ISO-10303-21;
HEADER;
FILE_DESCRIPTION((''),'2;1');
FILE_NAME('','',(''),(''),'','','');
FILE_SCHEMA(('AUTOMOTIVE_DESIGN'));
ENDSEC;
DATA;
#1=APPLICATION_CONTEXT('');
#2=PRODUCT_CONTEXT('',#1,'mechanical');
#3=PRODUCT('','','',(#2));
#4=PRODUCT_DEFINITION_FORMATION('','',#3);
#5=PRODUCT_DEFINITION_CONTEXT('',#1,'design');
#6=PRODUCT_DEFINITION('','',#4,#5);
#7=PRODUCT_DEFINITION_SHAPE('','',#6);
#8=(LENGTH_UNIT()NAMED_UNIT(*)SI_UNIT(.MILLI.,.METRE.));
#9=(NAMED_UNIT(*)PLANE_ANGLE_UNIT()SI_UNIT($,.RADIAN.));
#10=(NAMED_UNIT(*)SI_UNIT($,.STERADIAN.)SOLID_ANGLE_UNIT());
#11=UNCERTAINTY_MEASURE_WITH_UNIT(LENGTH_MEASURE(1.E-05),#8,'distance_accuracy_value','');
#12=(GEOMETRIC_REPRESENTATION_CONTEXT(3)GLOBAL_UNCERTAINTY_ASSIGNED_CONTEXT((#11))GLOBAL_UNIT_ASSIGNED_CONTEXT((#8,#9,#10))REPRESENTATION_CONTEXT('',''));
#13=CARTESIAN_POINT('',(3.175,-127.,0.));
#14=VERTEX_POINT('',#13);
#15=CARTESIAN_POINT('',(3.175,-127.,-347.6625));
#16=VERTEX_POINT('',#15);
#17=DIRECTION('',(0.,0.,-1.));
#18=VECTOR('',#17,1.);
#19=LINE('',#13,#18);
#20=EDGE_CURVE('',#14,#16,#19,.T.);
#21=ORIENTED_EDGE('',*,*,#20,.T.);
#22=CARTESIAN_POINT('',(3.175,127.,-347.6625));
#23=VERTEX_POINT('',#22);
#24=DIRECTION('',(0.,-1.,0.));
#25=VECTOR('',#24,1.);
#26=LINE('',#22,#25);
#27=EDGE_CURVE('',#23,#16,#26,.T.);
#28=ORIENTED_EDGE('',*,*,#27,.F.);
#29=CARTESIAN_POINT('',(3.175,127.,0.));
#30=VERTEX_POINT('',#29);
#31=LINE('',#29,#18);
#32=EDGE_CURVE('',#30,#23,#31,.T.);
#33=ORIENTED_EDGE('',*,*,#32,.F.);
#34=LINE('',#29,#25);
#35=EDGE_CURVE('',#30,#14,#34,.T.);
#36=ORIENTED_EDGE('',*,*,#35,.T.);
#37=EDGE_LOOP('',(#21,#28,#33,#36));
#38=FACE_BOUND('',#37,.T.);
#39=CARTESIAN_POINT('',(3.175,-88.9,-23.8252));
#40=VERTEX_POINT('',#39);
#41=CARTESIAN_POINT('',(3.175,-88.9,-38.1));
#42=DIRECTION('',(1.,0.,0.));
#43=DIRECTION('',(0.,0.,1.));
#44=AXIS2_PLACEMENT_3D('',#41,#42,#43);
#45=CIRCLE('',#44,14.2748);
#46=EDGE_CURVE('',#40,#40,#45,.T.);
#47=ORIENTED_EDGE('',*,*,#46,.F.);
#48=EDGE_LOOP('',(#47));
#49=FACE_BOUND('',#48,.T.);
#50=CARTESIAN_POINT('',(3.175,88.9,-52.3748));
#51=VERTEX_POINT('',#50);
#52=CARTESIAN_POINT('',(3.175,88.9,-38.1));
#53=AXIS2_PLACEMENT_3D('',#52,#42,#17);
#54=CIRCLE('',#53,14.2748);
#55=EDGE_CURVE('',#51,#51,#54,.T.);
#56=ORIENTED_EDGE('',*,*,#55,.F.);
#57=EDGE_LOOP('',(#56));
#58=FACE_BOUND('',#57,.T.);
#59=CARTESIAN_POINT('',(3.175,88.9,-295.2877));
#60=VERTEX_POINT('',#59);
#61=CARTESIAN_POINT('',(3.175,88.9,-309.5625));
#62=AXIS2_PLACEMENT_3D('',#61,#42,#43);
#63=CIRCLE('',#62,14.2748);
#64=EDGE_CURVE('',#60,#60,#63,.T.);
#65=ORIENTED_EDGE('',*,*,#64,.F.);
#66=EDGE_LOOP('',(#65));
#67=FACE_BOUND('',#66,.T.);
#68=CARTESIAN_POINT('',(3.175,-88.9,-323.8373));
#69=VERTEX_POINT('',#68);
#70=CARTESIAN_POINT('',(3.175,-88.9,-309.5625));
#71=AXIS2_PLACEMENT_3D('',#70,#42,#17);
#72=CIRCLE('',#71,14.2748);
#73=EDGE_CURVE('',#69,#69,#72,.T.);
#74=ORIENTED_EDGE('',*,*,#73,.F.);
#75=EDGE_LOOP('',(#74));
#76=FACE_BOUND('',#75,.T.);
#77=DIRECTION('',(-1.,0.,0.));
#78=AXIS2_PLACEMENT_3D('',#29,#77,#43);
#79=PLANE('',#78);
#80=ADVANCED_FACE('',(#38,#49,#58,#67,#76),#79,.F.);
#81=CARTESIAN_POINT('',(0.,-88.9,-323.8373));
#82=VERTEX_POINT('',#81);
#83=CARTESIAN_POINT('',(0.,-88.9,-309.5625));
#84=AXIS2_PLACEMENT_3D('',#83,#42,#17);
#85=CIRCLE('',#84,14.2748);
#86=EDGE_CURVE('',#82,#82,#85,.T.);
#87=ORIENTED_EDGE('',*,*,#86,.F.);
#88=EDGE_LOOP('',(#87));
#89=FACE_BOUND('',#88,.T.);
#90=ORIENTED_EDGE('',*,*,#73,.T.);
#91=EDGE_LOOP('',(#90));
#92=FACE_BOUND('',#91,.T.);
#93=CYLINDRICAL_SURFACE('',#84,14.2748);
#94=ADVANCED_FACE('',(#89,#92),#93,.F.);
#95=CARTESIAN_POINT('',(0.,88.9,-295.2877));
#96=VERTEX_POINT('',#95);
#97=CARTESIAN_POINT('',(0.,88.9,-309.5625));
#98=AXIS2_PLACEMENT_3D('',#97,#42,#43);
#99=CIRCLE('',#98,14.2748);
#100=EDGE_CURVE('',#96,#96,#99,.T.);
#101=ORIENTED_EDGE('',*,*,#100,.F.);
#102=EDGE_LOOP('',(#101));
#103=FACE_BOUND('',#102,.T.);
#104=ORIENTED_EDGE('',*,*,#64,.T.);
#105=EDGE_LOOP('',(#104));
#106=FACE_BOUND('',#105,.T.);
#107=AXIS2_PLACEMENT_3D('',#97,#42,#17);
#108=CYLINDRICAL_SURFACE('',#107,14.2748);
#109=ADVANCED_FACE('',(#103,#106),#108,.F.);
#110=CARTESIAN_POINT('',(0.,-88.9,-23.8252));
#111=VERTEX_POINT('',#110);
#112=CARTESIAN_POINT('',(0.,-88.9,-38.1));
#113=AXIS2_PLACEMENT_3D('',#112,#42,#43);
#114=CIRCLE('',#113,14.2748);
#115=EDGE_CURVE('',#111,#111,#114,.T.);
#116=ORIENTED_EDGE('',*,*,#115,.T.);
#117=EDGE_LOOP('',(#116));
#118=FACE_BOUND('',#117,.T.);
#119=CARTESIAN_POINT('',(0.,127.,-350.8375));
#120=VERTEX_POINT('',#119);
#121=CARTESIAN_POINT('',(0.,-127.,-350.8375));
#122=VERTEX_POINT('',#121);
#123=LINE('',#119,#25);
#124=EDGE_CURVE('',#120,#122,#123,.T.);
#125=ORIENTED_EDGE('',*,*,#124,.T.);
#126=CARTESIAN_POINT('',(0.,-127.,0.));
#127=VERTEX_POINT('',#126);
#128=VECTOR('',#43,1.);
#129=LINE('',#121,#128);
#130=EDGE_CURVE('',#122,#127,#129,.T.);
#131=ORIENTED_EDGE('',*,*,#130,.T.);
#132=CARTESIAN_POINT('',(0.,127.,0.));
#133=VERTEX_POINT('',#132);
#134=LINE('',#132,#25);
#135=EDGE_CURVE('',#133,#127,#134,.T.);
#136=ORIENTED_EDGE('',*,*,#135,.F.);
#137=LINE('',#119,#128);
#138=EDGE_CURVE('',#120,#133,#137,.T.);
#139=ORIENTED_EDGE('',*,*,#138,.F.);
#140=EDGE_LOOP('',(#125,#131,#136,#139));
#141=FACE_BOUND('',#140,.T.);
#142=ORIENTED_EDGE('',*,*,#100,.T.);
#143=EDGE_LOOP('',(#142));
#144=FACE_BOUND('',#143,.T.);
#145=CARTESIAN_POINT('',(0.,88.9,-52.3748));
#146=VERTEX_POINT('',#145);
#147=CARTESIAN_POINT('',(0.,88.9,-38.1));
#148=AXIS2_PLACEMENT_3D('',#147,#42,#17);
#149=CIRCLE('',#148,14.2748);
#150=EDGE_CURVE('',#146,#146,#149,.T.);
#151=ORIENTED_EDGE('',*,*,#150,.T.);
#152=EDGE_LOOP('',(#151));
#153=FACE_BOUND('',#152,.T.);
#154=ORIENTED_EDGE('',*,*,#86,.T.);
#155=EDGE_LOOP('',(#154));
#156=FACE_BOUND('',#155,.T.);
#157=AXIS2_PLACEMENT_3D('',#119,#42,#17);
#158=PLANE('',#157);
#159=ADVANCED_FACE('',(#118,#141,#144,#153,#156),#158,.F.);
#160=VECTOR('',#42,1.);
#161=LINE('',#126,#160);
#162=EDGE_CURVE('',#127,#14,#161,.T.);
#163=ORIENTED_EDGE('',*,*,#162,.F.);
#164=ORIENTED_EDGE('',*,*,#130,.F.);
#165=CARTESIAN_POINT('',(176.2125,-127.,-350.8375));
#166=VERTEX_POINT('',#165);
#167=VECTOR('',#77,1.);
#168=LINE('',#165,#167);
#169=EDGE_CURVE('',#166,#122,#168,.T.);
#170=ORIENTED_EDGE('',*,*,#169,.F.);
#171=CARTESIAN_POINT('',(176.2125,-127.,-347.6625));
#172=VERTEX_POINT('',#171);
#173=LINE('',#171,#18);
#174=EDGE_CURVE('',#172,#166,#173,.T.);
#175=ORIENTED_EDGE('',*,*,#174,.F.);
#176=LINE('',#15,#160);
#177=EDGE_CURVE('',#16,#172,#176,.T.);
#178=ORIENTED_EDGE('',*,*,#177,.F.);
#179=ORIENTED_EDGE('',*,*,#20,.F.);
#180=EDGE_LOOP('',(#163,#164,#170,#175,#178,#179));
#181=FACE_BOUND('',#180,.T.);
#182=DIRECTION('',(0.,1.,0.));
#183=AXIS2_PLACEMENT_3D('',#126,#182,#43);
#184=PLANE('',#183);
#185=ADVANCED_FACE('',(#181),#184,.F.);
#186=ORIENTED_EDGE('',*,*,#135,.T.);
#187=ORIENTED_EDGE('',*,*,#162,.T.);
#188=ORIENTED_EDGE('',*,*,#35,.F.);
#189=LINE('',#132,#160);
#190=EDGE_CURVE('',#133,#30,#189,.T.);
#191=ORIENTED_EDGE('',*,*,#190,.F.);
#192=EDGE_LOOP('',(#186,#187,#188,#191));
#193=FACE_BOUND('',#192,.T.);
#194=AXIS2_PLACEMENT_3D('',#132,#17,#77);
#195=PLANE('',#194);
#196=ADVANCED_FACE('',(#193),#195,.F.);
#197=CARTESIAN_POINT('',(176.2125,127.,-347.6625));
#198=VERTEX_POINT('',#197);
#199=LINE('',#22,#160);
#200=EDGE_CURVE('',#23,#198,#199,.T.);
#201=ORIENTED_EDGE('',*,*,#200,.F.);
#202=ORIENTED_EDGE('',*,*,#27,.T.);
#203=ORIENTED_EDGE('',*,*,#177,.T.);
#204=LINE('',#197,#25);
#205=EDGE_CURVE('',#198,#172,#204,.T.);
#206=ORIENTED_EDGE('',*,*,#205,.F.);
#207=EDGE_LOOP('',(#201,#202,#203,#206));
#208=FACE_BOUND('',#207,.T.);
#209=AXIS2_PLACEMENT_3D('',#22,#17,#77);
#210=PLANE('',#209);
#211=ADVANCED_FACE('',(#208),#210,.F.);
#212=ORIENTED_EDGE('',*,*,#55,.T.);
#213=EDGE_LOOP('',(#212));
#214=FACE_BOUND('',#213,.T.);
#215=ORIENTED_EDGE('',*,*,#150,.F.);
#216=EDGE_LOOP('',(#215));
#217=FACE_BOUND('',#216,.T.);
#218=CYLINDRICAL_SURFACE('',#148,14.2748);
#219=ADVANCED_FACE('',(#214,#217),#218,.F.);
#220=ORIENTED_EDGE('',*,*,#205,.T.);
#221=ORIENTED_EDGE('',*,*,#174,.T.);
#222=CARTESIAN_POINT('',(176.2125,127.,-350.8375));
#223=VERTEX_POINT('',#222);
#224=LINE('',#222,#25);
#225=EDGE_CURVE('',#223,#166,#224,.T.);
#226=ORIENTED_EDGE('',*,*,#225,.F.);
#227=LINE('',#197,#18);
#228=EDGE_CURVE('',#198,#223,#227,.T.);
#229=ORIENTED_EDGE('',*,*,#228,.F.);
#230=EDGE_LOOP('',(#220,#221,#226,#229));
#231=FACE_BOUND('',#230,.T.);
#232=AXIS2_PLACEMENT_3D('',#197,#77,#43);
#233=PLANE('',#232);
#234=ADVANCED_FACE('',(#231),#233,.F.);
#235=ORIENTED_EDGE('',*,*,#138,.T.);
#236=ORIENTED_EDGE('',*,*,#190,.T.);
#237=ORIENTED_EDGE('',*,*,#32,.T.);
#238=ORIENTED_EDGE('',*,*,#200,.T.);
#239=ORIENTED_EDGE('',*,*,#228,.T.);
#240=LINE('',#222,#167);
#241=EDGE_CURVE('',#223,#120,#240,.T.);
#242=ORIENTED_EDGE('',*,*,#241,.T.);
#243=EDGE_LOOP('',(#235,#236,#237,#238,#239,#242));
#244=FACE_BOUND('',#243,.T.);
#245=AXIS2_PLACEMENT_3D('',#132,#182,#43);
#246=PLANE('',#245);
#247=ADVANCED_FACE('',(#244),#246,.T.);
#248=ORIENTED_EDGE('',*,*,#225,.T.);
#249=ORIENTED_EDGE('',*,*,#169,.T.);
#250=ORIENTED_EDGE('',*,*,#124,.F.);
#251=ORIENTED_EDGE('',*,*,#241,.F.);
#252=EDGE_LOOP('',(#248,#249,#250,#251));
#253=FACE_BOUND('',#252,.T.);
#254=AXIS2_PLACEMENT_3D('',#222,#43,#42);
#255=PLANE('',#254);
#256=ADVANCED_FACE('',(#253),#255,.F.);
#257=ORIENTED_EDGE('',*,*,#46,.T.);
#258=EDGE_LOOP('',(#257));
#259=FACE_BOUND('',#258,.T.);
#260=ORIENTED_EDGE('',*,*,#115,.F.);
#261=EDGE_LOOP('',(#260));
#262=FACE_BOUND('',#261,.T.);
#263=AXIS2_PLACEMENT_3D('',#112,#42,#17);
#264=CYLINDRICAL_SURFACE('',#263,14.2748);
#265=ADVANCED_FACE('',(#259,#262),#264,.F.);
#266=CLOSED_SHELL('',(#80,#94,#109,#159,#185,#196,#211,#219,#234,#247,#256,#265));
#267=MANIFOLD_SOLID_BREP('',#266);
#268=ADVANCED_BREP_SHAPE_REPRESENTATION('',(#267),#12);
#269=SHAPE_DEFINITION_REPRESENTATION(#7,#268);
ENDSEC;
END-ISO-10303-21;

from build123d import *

# Parameters (mm, degrees)
BOSS_EXTRUDE1_DEPTH = 127
SKETCH2_R           = 14.2748
CUT_EXTRUDE1_DEPTH  = 4.175


with BuildPart() as part:
    # Sketch1 → Boss-Extrude1 (new body, symmetric)
    with BuildSketch(Plane(origin=(0, 0, 0), x_dir=(1, 0, 0), z_dir=(0, 1, 0))):
        Polygon((0, 0), (3.175, 0), (3.175, 347.6625), (176.2125, 347.6625), (176.2125, 350.8375), (0, 350.8375), align=None)
    extrude(amount=BOSS_EXTRUDE1_DEPTH, both=True)

    # Sketch2 → Cut-Extrude1 (cut, through all)
    with BuildSketch(Plane(origin=(3.175, 0, 0), x_dir=(0, 0, -1), z_dir=(1, 0, 0))):
        with Locations((309.5625, -88.9)):
            Circle(SKETCH2_R)
        with Locations((309.5625, 88.9)):
            Circle(SKETCH2_R)
        with Locations((38.1, -88.9)):
            Circle(SKETCH2_R)
        with Locations((38.1, 88.9)):
            Circle(SKETCH2_R)
    extrude(amount=-CUT_EXTRUDE1_DEPTH, mode=Mode.SUBTRACT)


solid = part.part
